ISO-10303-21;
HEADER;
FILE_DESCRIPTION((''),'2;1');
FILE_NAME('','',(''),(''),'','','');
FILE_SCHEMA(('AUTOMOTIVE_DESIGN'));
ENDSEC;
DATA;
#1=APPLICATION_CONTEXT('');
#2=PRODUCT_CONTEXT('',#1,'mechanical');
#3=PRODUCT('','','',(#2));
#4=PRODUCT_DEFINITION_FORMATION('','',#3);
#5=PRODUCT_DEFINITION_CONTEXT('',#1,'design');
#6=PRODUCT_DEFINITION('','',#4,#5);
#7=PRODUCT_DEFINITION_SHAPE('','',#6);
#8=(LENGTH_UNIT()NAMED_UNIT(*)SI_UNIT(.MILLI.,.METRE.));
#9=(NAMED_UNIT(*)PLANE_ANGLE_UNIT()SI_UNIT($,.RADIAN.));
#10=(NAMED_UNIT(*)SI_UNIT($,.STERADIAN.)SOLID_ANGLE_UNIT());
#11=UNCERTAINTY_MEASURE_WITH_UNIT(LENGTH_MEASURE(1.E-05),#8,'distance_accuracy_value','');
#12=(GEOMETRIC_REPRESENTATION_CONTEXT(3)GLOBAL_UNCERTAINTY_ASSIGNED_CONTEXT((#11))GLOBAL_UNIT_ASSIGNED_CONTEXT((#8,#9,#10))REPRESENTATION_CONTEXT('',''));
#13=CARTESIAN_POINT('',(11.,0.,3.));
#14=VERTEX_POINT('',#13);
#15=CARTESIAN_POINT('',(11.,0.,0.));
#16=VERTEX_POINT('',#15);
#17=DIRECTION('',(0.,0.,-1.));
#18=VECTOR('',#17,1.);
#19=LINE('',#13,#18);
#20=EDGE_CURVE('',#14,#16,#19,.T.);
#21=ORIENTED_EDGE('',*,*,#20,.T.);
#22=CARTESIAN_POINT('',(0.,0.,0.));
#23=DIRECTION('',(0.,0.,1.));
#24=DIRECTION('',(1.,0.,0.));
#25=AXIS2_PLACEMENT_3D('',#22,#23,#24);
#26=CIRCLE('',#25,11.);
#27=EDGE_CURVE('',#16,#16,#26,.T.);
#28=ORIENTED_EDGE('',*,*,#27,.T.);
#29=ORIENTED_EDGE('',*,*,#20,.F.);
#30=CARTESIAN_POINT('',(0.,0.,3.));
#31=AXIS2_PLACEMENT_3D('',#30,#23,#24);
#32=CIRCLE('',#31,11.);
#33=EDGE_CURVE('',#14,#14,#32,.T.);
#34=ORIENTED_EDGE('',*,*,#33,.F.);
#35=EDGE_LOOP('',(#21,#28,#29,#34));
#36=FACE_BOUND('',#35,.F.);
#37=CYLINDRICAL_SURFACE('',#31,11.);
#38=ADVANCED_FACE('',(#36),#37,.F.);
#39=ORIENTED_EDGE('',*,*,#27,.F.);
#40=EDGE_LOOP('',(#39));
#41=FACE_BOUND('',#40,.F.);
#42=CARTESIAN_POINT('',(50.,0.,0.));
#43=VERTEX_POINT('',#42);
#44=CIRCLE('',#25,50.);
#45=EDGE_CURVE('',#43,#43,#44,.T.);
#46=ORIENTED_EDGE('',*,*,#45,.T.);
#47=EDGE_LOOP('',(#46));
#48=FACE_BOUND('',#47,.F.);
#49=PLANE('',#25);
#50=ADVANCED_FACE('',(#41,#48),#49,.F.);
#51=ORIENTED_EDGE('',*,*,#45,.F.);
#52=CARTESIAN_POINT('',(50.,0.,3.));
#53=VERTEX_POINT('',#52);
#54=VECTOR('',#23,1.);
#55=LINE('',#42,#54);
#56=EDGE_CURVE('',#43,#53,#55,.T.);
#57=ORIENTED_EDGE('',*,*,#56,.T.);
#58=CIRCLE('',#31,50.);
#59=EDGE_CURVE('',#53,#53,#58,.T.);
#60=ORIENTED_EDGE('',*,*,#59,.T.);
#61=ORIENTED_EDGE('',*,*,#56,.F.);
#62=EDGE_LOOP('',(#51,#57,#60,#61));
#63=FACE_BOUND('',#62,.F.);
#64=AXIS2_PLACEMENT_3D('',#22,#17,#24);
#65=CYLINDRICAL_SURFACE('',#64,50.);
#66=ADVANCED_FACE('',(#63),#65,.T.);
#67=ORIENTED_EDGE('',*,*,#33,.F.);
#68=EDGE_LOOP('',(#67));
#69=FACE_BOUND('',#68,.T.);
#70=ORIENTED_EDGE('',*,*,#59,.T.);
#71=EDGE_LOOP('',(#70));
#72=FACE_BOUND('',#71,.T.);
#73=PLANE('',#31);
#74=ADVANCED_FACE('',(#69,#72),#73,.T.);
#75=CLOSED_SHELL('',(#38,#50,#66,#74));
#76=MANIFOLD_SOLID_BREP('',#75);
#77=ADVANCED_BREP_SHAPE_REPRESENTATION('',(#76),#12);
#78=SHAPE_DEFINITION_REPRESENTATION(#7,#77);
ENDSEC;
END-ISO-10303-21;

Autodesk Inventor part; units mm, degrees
ref_plane "YZ Plane" through (0, 0, 0) normal (1, 0, 0) x (0, 1, 0)
ref_plane "XZ Plane" through (0, 0, 0) normal (0, 1, 0) x (-1, 0, 0)
ref_plane "XY Plane" through (0, 0, 0) normal (0, 0, 1) x (1, 0, 0)
sketch "Sketch1" plane through (0, 0, 0) normal (0, 0, 1) x (1, 0, 0)
  circle A0 centre (0, 0) radius 50
  circle A1 centre (0, 0) radius 11
  dimension "d0" = 100
  dimension "d3" = 22
extrude "Extrusion1" add sketch "Sketch1" along normal blind 3 contours A0 | A1
sketch "Sketch2" plane through (0, 0, 3) normal (0, 0, 1) x (1, 0, 0)
  circle A0 centre (0, 0) radius 11
  dimension "d4" = 22
extrude "Extrusion2" cut sketch "Sketch2" against normal through all
sketch "Sketch3" plane through (0, 0, 3) normal (0, 0, 1) x (1, 0, 0)
  point P0 (0, 0)
  point P1 (-23.6, 25.4)
  point P2 (23.5, -25.5)
  dimension "d7" = 25.4
  dimension "d8" = 23.6
  dimension "d9" = 25.5
  dimension "d10" = 23.5
hole "Hole1" [suppressed]
equation "\"d16\" = Thickness"
equation "\"BendRadius\" = Thickness"
equation "\"BendReliefWidth\" = Thickness"
equation "\"BendReliefDepth\" = 0.5 * Thickness"
equation "\"CornerReliefSize\" = 4 * Thickness"
equation "\"MinimumRemnant\" = 2 * Thickness"
equation "\"TransitionRadius\" = BendRadius"
equation "\"JacobiRadiusSize\" = BendRadius"
equation "\"GapSize\" = Thickness"
equation "\"Thickness\" = 0.5"
properties part number "Friction Plate"
